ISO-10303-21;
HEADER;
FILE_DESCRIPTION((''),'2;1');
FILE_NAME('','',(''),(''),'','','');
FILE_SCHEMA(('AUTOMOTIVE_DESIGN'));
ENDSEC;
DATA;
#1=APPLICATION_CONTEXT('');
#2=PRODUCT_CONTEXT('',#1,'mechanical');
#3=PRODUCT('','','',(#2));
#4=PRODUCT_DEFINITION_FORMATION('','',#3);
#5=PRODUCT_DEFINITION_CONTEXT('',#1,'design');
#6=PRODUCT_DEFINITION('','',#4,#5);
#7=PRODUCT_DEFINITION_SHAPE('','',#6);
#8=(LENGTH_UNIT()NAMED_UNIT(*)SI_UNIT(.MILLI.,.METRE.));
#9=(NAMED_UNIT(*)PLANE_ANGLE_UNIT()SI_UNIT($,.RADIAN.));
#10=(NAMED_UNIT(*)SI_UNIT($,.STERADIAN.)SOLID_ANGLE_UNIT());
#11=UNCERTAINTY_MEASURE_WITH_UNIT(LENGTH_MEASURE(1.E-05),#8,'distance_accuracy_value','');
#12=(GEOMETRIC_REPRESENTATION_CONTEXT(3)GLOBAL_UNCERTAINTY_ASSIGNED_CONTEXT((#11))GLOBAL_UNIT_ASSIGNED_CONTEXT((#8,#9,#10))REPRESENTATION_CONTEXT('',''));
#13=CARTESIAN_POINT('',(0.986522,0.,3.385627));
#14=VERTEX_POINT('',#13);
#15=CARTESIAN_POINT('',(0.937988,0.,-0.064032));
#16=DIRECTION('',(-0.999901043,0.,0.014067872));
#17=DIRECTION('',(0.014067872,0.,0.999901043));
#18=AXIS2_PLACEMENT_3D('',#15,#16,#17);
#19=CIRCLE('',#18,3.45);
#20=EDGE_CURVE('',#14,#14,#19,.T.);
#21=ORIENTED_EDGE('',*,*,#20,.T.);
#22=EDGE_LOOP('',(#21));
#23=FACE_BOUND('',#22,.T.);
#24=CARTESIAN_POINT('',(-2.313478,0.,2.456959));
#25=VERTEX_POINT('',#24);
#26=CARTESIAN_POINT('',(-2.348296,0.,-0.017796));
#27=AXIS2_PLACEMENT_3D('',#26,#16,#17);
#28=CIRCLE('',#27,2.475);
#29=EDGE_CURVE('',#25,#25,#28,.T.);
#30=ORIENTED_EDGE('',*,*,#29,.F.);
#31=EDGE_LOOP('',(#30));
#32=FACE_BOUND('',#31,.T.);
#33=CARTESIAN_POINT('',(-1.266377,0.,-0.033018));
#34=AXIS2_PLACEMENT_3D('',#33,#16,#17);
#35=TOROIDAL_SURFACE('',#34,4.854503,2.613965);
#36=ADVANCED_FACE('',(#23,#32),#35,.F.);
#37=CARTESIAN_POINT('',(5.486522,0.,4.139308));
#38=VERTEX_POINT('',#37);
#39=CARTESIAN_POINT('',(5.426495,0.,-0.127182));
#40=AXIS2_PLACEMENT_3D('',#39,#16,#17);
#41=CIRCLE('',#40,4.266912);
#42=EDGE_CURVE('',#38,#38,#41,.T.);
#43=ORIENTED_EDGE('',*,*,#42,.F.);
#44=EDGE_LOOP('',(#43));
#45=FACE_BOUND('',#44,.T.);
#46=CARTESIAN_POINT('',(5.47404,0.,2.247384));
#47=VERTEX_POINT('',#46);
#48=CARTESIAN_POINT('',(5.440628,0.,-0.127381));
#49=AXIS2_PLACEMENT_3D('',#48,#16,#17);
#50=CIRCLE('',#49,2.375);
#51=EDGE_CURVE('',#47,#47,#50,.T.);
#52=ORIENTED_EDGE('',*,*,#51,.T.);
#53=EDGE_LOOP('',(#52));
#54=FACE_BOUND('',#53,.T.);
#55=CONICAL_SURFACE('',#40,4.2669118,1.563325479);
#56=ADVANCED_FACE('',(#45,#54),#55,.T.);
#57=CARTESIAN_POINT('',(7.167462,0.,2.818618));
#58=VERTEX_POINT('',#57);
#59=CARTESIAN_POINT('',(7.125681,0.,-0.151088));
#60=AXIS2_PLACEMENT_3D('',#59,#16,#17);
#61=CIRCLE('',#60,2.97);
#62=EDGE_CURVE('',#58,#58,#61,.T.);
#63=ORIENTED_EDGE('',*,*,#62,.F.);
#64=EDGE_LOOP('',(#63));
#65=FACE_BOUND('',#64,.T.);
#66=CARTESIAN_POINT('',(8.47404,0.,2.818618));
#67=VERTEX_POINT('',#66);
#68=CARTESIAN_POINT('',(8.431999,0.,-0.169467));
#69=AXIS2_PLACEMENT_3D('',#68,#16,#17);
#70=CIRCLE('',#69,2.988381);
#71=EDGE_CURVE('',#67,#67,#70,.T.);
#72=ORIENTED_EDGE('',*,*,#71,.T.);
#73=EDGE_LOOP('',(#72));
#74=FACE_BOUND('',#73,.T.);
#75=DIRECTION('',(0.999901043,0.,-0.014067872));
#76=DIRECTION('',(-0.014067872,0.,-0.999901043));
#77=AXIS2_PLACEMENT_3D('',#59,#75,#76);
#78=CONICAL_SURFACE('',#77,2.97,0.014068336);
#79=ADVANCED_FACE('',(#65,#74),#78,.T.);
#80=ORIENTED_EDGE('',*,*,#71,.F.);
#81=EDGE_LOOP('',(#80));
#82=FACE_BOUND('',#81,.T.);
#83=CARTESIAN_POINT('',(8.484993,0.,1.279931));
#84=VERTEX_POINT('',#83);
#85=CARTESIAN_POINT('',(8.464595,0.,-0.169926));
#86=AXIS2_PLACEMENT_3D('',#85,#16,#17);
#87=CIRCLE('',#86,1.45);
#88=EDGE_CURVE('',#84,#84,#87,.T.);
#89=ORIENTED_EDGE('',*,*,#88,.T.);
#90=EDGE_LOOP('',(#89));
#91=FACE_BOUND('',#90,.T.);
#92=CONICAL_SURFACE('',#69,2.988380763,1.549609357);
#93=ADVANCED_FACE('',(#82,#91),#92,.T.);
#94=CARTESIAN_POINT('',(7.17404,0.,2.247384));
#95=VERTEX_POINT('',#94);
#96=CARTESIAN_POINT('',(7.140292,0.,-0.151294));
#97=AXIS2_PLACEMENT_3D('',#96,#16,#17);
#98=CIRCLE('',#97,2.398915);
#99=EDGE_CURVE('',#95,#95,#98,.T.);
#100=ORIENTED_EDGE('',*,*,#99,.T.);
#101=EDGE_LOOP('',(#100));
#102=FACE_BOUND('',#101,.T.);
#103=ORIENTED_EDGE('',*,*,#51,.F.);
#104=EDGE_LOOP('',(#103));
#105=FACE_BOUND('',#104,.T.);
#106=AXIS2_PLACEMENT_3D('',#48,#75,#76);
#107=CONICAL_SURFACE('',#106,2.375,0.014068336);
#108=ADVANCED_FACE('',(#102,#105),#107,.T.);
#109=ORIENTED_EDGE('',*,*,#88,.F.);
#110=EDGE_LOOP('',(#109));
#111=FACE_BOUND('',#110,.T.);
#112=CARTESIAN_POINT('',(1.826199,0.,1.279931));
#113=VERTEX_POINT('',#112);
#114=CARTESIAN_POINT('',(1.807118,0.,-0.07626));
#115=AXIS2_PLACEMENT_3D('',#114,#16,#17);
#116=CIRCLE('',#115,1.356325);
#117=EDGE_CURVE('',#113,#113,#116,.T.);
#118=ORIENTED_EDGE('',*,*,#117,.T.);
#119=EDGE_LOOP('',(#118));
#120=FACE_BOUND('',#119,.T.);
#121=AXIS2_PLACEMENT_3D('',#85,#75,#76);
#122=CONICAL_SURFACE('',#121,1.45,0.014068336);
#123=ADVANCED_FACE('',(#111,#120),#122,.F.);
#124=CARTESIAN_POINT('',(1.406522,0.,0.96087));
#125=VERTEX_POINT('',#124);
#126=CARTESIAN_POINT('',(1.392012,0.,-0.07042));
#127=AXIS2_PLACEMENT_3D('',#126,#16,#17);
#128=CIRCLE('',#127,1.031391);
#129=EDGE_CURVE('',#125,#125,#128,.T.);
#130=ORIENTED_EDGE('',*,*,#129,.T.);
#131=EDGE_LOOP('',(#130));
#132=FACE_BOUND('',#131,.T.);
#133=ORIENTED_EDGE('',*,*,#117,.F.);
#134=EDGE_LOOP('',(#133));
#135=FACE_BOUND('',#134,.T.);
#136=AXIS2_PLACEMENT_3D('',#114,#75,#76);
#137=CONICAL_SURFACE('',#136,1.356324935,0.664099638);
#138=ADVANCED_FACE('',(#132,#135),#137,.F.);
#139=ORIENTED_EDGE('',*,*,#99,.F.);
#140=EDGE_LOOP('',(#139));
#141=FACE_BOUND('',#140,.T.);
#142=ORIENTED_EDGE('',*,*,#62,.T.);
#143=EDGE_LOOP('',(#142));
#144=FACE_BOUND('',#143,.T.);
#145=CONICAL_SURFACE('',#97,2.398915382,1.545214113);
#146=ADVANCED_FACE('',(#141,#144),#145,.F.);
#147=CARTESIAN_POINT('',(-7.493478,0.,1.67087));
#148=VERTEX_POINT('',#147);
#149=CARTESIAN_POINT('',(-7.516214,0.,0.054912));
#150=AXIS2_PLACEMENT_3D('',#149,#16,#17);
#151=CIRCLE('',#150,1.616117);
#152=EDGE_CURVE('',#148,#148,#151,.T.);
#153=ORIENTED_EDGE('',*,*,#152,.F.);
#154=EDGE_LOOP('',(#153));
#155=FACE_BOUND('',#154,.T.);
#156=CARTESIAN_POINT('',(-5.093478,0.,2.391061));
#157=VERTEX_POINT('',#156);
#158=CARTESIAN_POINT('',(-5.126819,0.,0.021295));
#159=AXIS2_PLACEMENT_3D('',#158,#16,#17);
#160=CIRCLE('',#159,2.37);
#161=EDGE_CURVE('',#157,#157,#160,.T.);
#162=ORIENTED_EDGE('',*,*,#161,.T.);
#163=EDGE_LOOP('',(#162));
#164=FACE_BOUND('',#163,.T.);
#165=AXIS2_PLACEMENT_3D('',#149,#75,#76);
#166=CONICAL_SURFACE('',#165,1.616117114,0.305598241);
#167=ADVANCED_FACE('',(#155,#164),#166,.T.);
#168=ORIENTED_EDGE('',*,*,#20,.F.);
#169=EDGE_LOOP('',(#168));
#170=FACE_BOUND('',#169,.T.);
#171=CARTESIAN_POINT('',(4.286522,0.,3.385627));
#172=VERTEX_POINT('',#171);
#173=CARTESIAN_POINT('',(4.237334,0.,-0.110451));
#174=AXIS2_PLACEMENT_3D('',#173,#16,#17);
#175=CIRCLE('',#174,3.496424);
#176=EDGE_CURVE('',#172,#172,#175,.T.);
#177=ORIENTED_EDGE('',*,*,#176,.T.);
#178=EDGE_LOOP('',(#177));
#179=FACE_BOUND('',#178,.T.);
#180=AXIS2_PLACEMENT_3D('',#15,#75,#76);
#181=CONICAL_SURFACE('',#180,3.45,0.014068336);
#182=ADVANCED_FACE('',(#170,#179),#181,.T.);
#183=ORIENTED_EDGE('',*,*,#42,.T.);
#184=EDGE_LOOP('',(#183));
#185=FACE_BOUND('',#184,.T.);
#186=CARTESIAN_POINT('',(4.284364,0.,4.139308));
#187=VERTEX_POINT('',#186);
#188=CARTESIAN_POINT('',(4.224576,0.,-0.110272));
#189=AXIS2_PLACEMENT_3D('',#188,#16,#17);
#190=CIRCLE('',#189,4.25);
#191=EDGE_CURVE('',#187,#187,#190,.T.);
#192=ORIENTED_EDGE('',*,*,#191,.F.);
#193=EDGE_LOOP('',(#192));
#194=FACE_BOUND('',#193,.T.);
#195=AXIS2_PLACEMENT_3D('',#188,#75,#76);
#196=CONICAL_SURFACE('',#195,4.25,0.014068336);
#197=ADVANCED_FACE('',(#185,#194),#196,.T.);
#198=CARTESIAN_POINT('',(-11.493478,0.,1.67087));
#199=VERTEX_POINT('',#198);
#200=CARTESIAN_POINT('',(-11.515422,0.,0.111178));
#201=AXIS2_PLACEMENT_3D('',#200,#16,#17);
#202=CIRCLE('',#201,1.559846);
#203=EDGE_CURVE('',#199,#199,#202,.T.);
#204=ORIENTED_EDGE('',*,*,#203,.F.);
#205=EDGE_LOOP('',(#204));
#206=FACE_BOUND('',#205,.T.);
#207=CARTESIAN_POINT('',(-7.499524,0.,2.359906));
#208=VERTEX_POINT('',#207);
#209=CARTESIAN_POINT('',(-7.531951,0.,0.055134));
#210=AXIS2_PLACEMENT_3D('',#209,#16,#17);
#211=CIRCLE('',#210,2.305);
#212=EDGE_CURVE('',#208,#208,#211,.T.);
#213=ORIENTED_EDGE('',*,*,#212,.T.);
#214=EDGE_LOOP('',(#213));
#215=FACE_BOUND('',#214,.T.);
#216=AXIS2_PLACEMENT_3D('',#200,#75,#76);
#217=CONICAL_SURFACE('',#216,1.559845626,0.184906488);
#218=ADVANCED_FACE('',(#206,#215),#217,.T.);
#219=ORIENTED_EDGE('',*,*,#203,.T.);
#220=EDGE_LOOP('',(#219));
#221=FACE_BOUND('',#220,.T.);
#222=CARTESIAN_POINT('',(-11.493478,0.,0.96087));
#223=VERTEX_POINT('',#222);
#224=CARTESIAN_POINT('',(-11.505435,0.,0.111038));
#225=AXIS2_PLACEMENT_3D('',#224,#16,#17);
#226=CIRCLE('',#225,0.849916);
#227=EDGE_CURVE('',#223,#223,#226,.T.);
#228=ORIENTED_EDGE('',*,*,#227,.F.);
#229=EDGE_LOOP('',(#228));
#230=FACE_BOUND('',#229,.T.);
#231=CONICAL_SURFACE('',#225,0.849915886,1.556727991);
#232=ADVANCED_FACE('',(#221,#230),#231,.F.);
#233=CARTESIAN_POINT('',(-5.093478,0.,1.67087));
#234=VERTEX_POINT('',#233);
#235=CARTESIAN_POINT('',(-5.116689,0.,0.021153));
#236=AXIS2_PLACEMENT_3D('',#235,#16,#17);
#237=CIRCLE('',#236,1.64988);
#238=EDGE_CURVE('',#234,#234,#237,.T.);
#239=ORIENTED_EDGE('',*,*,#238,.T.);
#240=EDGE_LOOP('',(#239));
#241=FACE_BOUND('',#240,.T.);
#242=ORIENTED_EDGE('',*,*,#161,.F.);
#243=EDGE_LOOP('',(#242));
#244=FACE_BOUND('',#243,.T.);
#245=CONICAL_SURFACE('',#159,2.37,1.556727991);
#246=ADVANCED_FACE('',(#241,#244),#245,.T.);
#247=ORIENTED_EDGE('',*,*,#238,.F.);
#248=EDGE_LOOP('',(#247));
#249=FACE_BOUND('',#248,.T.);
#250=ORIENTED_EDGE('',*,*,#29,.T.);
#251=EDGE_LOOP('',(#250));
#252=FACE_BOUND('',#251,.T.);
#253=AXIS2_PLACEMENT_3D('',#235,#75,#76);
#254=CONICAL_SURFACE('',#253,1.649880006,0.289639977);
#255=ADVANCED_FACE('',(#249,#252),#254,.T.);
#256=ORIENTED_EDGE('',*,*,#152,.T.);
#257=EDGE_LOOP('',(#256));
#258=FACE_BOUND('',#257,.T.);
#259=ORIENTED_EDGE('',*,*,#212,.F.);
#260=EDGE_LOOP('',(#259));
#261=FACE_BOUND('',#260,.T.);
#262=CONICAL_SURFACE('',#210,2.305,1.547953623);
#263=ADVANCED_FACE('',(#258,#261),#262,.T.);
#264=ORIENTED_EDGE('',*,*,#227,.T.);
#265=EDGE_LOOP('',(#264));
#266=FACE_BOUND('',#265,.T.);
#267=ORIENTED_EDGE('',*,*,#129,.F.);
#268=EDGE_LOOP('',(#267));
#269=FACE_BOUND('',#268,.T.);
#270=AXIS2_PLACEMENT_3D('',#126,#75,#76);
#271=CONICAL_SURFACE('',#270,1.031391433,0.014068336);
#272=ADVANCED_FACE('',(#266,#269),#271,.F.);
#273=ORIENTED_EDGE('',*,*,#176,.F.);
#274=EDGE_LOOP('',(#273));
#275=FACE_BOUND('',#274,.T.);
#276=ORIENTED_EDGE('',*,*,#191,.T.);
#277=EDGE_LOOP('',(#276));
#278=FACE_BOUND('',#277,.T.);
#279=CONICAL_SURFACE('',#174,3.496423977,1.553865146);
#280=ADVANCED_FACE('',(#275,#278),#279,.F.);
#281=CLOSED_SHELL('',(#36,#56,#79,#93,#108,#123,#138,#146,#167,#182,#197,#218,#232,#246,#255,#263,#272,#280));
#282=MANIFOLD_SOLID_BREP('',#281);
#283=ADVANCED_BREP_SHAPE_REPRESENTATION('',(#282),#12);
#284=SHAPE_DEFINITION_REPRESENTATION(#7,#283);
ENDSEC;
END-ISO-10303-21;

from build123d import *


with BuildPart() as part:
    # Sketch1 → Revolve1 (revolve)
    with BuildSketch(Plane(origin=(0, 0, 0), x_dir=(1, 0, 0), z_dir=(0, 1, 0))):
        with BuildLine():
            Line((-11.493478261, -0.960869565), (1.406521739, -0.960869565))
            Line((1.406521739, -0.960869565), (1.826198847, -1.279930678))
            Line((1.826198847, -1.279930678), (8.484993151, -1.279930678))
            Line((8.484993151, -1.279930678), (8.474039616, -2.818617799))
            Line((8.474039616, -2.818617799), (7.16746221, -2.818617799))
            Line((7.16746221, -2.818617799), (7.174039616, -2.247384123))
            Line((7.174039616, -2.247384123), (5.474039616, -2.247384123))
            Line((5.474039616, -2.247384123), (5.486521739, -4.139307546))
            Line((5.486521739, -4.139307546), (4.284364062, -4.139307546))
            Line((4.284364062, -4.139307546), (4.286521739, -3.385626586))
            Line((4.286521739, -3.385626586), (0.986521739, -3.385626586))
            ThreePointArc((0.986521739, -3.385626586), (-0.48998153, -2.304776001), (-2.313478261, -2.456958665))
            Line((-2.313478261, -2.456958665), (-5.093478261, -1.670869565))
            Line((-5.093478261, -1.670869565), (-5.093478261, -2.391060827))
            Line((-5.093478261, -2.391060827), (-7.493478261, -1.670869565))
            Line((-7.493478261, -1.670869565), (-7.499524272, -2.359905691))
            Line((-7.499524272, -2.359905691), (-11.493478261, -1.670869565))
            Line((-11.493478261, -1.670869565), (-11.493478261, -0.960869565))
        make_face()
    revolve(axis=Axis((-11.493478261, 0, 0.110869565), (0.9999010425950651, 0, -0.014067871811395011)))


solid = part.part
